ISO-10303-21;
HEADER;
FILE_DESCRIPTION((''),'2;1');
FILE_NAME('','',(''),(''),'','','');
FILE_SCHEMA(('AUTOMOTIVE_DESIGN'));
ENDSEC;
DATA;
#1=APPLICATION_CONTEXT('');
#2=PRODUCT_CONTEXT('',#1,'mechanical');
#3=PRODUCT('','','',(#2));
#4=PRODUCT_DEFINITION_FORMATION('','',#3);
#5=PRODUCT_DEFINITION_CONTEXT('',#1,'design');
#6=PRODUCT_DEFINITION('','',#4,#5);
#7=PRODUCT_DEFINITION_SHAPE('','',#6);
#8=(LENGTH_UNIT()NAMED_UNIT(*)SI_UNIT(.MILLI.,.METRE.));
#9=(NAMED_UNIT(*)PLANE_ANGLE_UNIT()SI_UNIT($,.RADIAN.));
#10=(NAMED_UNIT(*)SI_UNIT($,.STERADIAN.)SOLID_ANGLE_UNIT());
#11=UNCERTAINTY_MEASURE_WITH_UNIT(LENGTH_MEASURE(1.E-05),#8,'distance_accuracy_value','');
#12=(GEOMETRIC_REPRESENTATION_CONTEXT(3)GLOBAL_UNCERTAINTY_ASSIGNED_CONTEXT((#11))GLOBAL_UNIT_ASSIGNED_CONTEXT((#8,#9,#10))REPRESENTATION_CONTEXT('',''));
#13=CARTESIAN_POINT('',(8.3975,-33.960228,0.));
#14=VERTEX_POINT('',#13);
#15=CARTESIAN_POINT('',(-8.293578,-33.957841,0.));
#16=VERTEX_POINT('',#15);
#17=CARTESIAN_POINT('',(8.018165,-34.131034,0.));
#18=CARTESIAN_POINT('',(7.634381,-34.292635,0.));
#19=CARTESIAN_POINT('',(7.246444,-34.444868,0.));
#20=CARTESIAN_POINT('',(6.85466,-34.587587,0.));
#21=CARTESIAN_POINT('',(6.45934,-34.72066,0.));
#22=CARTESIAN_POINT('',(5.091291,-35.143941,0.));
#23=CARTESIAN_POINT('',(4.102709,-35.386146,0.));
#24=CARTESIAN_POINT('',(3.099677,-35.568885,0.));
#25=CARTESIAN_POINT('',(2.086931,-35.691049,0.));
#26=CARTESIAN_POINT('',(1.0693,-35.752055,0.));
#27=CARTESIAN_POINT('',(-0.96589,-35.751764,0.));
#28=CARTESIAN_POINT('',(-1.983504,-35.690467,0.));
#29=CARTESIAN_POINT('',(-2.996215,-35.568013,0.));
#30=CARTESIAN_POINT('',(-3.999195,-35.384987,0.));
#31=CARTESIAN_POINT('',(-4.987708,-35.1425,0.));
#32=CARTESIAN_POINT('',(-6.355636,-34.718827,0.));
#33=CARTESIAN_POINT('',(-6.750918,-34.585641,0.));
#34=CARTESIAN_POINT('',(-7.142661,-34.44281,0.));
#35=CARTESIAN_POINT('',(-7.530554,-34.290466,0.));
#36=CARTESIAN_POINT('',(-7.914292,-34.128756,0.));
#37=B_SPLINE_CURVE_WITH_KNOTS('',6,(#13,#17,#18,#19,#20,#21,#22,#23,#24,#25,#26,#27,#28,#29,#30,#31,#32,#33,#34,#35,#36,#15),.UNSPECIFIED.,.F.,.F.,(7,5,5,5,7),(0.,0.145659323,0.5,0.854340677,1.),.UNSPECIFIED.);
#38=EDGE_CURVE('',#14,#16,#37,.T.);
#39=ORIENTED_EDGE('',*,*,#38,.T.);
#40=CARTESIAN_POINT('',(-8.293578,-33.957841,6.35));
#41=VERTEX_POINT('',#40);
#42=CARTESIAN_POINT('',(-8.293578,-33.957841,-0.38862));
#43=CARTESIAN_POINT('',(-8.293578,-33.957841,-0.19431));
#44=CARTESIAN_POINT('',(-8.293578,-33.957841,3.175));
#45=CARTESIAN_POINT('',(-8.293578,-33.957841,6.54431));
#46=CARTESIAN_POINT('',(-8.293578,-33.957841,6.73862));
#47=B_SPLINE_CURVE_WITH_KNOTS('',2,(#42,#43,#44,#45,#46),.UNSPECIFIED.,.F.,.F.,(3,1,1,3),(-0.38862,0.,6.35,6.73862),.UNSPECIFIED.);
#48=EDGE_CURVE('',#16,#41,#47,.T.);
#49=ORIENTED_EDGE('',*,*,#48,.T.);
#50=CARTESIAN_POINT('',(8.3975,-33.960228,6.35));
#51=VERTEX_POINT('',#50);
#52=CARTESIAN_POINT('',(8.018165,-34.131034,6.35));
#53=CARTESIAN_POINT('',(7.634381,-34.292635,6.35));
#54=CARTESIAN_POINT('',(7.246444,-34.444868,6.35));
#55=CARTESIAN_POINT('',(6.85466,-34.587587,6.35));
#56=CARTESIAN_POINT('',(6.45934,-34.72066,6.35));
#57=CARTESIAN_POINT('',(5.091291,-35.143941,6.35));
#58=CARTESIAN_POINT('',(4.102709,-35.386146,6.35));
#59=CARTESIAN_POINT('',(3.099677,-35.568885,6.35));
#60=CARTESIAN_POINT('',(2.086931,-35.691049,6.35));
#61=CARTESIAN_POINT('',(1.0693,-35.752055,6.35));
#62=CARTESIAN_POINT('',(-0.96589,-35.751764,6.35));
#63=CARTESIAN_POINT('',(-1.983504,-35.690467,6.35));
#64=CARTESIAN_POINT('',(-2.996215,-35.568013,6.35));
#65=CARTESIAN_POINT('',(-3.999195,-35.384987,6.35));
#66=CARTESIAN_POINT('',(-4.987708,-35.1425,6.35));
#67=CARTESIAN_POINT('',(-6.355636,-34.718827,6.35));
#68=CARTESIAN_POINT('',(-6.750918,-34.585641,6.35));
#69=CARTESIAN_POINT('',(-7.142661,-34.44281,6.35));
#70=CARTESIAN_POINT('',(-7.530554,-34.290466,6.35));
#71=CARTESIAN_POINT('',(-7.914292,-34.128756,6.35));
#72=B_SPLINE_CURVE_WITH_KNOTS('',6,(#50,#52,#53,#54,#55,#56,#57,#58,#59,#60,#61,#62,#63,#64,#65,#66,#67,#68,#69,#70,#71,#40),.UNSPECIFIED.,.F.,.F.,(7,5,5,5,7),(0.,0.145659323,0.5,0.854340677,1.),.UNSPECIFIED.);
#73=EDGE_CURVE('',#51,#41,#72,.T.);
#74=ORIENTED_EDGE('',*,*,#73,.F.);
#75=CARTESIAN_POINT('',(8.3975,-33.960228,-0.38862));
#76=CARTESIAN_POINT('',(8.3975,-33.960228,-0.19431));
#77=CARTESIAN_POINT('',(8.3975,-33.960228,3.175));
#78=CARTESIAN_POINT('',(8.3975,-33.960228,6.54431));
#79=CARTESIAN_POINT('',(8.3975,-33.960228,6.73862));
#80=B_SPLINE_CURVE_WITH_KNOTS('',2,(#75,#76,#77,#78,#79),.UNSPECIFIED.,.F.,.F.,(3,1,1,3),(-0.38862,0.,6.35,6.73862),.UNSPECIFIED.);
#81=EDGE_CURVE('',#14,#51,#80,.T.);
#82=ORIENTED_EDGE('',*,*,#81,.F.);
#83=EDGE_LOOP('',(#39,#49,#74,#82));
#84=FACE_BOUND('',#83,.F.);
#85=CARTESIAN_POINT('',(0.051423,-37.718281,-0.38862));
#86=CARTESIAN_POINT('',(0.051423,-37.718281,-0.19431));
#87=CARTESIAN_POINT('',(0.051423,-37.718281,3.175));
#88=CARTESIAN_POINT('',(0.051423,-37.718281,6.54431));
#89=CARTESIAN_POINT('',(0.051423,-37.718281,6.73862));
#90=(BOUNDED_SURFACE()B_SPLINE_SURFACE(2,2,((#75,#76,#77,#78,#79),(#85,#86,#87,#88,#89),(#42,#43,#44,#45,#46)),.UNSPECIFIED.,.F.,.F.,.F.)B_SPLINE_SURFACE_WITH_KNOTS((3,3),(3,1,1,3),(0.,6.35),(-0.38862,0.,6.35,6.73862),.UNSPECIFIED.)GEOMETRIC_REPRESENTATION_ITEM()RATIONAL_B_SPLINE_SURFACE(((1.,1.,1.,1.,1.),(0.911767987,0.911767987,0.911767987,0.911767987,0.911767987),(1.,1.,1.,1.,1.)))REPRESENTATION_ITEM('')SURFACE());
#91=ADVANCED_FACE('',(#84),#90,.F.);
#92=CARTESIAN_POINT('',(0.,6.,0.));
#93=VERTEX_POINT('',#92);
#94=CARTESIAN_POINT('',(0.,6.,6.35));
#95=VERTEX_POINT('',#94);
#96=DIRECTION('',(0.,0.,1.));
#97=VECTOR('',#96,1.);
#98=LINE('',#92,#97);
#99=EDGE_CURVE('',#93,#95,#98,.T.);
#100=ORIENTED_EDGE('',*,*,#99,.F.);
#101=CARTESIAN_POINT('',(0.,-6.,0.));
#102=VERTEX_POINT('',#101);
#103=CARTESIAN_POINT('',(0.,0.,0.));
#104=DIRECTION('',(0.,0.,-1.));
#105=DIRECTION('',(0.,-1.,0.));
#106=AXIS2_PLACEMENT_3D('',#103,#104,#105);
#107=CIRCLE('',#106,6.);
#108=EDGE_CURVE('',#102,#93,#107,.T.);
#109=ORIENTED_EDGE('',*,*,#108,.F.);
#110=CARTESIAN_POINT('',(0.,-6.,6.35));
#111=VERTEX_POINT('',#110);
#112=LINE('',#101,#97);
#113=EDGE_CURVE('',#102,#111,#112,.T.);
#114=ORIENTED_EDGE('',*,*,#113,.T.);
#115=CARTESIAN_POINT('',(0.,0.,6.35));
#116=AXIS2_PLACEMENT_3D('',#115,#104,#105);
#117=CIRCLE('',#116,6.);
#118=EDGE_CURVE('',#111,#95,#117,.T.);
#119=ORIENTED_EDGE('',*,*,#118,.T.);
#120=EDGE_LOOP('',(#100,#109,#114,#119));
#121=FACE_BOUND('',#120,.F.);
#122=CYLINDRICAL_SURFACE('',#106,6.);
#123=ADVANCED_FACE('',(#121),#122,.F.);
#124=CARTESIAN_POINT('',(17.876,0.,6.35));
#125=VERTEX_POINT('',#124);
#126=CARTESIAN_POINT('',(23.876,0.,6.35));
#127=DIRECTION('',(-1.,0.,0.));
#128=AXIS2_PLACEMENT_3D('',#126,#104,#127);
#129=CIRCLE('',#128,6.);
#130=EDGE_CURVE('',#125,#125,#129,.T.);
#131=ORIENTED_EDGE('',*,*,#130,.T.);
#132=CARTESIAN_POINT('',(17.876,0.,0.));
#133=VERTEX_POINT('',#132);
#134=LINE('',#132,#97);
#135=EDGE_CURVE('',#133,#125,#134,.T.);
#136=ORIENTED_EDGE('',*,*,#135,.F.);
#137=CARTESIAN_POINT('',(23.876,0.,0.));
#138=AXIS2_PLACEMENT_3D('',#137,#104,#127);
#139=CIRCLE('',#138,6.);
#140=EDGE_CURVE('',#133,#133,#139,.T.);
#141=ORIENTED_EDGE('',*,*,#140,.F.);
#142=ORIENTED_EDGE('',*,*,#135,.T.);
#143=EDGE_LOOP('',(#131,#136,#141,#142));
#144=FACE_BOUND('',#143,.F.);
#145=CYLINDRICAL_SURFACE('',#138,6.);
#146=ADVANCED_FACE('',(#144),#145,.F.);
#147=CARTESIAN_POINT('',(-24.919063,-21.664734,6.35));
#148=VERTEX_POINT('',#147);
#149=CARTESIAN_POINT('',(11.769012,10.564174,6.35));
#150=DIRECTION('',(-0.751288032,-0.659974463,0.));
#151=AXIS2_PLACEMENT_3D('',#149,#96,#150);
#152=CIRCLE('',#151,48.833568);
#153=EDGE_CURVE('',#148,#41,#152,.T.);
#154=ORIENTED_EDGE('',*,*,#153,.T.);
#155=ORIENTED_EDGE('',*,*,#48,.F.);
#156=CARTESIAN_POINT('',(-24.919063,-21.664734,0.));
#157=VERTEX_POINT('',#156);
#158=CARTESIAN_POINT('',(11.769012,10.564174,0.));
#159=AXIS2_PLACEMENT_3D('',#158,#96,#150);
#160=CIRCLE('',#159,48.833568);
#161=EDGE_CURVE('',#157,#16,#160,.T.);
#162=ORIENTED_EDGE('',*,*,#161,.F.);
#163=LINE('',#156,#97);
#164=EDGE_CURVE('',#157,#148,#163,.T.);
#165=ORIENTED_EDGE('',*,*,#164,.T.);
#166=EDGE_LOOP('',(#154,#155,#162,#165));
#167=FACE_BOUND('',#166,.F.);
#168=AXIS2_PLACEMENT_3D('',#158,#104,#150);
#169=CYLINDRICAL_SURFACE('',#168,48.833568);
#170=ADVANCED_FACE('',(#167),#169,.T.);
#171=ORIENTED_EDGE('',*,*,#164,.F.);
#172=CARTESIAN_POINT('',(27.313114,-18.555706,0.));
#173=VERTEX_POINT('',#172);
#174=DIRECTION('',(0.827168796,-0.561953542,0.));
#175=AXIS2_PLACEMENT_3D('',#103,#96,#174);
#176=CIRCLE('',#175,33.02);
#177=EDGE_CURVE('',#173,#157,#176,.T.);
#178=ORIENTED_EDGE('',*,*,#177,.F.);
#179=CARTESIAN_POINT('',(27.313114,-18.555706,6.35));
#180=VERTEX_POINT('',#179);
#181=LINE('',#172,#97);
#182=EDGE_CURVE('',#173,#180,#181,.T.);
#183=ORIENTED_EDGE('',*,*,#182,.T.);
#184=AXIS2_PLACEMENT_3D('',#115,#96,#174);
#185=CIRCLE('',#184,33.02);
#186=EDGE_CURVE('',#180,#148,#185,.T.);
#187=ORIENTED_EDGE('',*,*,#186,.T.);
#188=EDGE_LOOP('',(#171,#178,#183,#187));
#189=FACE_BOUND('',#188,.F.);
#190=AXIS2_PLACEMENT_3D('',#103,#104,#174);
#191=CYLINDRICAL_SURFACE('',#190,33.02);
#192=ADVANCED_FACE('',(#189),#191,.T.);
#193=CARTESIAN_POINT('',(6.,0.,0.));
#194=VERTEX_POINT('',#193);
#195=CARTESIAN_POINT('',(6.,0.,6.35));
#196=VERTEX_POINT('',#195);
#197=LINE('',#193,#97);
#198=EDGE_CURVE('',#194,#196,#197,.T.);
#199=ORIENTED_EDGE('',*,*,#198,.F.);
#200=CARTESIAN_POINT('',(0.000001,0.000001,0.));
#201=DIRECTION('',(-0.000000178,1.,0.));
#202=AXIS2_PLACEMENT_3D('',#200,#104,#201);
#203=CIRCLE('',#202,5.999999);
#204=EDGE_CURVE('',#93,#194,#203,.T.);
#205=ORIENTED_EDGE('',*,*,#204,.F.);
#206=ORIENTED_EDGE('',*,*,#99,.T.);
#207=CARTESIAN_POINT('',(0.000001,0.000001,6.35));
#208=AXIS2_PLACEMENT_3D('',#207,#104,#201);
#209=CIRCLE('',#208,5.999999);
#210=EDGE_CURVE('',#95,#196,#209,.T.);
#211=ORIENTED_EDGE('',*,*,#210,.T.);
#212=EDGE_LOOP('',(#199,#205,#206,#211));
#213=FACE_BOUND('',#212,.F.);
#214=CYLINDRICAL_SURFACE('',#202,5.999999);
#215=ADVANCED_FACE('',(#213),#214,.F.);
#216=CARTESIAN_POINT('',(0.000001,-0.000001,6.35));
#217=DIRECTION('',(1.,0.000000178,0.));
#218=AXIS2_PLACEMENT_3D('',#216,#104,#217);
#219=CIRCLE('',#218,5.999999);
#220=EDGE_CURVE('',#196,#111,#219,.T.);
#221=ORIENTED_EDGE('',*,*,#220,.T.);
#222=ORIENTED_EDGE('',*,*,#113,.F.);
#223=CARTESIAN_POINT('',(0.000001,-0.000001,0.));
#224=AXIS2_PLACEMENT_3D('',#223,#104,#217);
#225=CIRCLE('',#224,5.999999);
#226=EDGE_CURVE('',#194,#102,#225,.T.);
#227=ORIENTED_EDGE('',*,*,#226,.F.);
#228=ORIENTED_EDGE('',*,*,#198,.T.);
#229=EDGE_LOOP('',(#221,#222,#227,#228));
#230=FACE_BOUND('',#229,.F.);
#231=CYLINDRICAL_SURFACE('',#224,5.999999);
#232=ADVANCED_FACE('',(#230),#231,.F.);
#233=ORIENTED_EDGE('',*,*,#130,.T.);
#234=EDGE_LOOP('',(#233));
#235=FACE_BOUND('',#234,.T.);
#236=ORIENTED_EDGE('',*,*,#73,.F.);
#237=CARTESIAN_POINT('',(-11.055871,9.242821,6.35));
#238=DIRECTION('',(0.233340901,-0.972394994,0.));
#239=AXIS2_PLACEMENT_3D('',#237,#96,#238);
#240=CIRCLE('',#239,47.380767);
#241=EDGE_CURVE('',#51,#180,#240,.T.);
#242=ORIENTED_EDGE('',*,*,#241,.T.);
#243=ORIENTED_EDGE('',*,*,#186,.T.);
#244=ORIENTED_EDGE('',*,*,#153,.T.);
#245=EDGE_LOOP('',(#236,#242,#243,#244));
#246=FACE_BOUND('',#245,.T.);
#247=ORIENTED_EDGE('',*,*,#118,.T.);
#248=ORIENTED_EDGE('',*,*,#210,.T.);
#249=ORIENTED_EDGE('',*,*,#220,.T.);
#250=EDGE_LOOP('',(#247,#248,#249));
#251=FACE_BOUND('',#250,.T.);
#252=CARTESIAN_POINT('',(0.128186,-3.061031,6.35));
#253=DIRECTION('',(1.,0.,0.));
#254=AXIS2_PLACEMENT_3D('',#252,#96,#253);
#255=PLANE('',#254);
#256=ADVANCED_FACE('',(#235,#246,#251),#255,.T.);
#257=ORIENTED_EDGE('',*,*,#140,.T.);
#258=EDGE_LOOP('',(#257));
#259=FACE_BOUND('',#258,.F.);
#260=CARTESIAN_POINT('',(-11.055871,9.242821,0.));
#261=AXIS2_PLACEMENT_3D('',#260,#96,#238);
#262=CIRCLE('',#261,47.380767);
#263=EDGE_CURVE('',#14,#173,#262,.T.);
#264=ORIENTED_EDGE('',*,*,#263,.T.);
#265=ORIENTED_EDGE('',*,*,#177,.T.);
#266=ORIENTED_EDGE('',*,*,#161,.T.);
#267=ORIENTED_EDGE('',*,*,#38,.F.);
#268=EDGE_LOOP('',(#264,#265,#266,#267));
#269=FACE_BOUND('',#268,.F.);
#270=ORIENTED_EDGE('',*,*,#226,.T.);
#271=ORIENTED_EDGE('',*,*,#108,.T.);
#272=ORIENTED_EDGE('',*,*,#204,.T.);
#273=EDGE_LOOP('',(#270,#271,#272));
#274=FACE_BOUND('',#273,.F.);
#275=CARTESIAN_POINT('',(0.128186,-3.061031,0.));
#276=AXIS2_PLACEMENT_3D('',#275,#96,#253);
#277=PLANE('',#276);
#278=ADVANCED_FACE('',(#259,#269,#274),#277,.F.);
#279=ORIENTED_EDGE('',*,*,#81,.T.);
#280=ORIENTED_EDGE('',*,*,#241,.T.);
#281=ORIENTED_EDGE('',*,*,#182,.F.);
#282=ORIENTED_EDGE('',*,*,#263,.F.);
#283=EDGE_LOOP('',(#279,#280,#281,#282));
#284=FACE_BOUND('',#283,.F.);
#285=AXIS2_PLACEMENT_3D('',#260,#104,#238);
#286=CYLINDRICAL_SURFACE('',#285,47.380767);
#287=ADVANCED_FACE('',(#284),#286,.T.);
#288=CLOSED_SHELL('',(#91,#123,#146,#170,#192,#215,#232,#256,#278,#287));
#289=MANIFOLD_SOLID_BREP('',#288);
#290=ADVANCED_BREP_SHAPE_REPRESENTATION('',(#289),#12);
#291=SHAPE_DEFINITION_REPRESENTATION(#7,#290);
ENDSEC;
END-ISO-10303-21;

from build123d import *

# Parameters (mm, degrees)
F1_DEPTH = 6.35
F2_R     = 20.32


with BuildPart() as f1:
    # F0 (on Top) → F1 (new body)
    with BuildSketch(Plane.XY):
        with BuildLine():
            ThreePointArc((0, -36.83), (15.291644, -30.136686), (27.313114, -18.555706))
            ThreePointArc((27.313114, -18.555706), (-1.961985, 32.96166), (-24.919063, -21.664734))
            ThreePointArc((-24.919063, -21.664734), (-13.61836, -31.151515), (0, -36.83))
        make_face()
        with BuildLine():
            ThreePointArc((6, 0), (4.242641, -4.242641), (0, -6))
            ThreePointArc((0, -6), (-6, 0), (0, 6))
            ThreePointArc((0, 6), (4.242641, 4.242641), (6, 0))
        make_face(mode=Mode.SUBTRACT)
        with BuildLine():
            ThreePointArc((29.876, 0), (23.876, -6), (17.876, 0))
            ThreePointArc((17.876, 0), (23.876, 6), (29.876, 0))
        make_face(mode=Mode.SUBTRACT)
    extrude(amount=F1_DEPTH)

    # F2
    f2_edges = [f1.edges().sort_by_distance(p)[0] for p in [
        (0, -36.83, 3.175),
    ]]
    fillet(f2_edges, radius=F2_R)


solid = f1.part
